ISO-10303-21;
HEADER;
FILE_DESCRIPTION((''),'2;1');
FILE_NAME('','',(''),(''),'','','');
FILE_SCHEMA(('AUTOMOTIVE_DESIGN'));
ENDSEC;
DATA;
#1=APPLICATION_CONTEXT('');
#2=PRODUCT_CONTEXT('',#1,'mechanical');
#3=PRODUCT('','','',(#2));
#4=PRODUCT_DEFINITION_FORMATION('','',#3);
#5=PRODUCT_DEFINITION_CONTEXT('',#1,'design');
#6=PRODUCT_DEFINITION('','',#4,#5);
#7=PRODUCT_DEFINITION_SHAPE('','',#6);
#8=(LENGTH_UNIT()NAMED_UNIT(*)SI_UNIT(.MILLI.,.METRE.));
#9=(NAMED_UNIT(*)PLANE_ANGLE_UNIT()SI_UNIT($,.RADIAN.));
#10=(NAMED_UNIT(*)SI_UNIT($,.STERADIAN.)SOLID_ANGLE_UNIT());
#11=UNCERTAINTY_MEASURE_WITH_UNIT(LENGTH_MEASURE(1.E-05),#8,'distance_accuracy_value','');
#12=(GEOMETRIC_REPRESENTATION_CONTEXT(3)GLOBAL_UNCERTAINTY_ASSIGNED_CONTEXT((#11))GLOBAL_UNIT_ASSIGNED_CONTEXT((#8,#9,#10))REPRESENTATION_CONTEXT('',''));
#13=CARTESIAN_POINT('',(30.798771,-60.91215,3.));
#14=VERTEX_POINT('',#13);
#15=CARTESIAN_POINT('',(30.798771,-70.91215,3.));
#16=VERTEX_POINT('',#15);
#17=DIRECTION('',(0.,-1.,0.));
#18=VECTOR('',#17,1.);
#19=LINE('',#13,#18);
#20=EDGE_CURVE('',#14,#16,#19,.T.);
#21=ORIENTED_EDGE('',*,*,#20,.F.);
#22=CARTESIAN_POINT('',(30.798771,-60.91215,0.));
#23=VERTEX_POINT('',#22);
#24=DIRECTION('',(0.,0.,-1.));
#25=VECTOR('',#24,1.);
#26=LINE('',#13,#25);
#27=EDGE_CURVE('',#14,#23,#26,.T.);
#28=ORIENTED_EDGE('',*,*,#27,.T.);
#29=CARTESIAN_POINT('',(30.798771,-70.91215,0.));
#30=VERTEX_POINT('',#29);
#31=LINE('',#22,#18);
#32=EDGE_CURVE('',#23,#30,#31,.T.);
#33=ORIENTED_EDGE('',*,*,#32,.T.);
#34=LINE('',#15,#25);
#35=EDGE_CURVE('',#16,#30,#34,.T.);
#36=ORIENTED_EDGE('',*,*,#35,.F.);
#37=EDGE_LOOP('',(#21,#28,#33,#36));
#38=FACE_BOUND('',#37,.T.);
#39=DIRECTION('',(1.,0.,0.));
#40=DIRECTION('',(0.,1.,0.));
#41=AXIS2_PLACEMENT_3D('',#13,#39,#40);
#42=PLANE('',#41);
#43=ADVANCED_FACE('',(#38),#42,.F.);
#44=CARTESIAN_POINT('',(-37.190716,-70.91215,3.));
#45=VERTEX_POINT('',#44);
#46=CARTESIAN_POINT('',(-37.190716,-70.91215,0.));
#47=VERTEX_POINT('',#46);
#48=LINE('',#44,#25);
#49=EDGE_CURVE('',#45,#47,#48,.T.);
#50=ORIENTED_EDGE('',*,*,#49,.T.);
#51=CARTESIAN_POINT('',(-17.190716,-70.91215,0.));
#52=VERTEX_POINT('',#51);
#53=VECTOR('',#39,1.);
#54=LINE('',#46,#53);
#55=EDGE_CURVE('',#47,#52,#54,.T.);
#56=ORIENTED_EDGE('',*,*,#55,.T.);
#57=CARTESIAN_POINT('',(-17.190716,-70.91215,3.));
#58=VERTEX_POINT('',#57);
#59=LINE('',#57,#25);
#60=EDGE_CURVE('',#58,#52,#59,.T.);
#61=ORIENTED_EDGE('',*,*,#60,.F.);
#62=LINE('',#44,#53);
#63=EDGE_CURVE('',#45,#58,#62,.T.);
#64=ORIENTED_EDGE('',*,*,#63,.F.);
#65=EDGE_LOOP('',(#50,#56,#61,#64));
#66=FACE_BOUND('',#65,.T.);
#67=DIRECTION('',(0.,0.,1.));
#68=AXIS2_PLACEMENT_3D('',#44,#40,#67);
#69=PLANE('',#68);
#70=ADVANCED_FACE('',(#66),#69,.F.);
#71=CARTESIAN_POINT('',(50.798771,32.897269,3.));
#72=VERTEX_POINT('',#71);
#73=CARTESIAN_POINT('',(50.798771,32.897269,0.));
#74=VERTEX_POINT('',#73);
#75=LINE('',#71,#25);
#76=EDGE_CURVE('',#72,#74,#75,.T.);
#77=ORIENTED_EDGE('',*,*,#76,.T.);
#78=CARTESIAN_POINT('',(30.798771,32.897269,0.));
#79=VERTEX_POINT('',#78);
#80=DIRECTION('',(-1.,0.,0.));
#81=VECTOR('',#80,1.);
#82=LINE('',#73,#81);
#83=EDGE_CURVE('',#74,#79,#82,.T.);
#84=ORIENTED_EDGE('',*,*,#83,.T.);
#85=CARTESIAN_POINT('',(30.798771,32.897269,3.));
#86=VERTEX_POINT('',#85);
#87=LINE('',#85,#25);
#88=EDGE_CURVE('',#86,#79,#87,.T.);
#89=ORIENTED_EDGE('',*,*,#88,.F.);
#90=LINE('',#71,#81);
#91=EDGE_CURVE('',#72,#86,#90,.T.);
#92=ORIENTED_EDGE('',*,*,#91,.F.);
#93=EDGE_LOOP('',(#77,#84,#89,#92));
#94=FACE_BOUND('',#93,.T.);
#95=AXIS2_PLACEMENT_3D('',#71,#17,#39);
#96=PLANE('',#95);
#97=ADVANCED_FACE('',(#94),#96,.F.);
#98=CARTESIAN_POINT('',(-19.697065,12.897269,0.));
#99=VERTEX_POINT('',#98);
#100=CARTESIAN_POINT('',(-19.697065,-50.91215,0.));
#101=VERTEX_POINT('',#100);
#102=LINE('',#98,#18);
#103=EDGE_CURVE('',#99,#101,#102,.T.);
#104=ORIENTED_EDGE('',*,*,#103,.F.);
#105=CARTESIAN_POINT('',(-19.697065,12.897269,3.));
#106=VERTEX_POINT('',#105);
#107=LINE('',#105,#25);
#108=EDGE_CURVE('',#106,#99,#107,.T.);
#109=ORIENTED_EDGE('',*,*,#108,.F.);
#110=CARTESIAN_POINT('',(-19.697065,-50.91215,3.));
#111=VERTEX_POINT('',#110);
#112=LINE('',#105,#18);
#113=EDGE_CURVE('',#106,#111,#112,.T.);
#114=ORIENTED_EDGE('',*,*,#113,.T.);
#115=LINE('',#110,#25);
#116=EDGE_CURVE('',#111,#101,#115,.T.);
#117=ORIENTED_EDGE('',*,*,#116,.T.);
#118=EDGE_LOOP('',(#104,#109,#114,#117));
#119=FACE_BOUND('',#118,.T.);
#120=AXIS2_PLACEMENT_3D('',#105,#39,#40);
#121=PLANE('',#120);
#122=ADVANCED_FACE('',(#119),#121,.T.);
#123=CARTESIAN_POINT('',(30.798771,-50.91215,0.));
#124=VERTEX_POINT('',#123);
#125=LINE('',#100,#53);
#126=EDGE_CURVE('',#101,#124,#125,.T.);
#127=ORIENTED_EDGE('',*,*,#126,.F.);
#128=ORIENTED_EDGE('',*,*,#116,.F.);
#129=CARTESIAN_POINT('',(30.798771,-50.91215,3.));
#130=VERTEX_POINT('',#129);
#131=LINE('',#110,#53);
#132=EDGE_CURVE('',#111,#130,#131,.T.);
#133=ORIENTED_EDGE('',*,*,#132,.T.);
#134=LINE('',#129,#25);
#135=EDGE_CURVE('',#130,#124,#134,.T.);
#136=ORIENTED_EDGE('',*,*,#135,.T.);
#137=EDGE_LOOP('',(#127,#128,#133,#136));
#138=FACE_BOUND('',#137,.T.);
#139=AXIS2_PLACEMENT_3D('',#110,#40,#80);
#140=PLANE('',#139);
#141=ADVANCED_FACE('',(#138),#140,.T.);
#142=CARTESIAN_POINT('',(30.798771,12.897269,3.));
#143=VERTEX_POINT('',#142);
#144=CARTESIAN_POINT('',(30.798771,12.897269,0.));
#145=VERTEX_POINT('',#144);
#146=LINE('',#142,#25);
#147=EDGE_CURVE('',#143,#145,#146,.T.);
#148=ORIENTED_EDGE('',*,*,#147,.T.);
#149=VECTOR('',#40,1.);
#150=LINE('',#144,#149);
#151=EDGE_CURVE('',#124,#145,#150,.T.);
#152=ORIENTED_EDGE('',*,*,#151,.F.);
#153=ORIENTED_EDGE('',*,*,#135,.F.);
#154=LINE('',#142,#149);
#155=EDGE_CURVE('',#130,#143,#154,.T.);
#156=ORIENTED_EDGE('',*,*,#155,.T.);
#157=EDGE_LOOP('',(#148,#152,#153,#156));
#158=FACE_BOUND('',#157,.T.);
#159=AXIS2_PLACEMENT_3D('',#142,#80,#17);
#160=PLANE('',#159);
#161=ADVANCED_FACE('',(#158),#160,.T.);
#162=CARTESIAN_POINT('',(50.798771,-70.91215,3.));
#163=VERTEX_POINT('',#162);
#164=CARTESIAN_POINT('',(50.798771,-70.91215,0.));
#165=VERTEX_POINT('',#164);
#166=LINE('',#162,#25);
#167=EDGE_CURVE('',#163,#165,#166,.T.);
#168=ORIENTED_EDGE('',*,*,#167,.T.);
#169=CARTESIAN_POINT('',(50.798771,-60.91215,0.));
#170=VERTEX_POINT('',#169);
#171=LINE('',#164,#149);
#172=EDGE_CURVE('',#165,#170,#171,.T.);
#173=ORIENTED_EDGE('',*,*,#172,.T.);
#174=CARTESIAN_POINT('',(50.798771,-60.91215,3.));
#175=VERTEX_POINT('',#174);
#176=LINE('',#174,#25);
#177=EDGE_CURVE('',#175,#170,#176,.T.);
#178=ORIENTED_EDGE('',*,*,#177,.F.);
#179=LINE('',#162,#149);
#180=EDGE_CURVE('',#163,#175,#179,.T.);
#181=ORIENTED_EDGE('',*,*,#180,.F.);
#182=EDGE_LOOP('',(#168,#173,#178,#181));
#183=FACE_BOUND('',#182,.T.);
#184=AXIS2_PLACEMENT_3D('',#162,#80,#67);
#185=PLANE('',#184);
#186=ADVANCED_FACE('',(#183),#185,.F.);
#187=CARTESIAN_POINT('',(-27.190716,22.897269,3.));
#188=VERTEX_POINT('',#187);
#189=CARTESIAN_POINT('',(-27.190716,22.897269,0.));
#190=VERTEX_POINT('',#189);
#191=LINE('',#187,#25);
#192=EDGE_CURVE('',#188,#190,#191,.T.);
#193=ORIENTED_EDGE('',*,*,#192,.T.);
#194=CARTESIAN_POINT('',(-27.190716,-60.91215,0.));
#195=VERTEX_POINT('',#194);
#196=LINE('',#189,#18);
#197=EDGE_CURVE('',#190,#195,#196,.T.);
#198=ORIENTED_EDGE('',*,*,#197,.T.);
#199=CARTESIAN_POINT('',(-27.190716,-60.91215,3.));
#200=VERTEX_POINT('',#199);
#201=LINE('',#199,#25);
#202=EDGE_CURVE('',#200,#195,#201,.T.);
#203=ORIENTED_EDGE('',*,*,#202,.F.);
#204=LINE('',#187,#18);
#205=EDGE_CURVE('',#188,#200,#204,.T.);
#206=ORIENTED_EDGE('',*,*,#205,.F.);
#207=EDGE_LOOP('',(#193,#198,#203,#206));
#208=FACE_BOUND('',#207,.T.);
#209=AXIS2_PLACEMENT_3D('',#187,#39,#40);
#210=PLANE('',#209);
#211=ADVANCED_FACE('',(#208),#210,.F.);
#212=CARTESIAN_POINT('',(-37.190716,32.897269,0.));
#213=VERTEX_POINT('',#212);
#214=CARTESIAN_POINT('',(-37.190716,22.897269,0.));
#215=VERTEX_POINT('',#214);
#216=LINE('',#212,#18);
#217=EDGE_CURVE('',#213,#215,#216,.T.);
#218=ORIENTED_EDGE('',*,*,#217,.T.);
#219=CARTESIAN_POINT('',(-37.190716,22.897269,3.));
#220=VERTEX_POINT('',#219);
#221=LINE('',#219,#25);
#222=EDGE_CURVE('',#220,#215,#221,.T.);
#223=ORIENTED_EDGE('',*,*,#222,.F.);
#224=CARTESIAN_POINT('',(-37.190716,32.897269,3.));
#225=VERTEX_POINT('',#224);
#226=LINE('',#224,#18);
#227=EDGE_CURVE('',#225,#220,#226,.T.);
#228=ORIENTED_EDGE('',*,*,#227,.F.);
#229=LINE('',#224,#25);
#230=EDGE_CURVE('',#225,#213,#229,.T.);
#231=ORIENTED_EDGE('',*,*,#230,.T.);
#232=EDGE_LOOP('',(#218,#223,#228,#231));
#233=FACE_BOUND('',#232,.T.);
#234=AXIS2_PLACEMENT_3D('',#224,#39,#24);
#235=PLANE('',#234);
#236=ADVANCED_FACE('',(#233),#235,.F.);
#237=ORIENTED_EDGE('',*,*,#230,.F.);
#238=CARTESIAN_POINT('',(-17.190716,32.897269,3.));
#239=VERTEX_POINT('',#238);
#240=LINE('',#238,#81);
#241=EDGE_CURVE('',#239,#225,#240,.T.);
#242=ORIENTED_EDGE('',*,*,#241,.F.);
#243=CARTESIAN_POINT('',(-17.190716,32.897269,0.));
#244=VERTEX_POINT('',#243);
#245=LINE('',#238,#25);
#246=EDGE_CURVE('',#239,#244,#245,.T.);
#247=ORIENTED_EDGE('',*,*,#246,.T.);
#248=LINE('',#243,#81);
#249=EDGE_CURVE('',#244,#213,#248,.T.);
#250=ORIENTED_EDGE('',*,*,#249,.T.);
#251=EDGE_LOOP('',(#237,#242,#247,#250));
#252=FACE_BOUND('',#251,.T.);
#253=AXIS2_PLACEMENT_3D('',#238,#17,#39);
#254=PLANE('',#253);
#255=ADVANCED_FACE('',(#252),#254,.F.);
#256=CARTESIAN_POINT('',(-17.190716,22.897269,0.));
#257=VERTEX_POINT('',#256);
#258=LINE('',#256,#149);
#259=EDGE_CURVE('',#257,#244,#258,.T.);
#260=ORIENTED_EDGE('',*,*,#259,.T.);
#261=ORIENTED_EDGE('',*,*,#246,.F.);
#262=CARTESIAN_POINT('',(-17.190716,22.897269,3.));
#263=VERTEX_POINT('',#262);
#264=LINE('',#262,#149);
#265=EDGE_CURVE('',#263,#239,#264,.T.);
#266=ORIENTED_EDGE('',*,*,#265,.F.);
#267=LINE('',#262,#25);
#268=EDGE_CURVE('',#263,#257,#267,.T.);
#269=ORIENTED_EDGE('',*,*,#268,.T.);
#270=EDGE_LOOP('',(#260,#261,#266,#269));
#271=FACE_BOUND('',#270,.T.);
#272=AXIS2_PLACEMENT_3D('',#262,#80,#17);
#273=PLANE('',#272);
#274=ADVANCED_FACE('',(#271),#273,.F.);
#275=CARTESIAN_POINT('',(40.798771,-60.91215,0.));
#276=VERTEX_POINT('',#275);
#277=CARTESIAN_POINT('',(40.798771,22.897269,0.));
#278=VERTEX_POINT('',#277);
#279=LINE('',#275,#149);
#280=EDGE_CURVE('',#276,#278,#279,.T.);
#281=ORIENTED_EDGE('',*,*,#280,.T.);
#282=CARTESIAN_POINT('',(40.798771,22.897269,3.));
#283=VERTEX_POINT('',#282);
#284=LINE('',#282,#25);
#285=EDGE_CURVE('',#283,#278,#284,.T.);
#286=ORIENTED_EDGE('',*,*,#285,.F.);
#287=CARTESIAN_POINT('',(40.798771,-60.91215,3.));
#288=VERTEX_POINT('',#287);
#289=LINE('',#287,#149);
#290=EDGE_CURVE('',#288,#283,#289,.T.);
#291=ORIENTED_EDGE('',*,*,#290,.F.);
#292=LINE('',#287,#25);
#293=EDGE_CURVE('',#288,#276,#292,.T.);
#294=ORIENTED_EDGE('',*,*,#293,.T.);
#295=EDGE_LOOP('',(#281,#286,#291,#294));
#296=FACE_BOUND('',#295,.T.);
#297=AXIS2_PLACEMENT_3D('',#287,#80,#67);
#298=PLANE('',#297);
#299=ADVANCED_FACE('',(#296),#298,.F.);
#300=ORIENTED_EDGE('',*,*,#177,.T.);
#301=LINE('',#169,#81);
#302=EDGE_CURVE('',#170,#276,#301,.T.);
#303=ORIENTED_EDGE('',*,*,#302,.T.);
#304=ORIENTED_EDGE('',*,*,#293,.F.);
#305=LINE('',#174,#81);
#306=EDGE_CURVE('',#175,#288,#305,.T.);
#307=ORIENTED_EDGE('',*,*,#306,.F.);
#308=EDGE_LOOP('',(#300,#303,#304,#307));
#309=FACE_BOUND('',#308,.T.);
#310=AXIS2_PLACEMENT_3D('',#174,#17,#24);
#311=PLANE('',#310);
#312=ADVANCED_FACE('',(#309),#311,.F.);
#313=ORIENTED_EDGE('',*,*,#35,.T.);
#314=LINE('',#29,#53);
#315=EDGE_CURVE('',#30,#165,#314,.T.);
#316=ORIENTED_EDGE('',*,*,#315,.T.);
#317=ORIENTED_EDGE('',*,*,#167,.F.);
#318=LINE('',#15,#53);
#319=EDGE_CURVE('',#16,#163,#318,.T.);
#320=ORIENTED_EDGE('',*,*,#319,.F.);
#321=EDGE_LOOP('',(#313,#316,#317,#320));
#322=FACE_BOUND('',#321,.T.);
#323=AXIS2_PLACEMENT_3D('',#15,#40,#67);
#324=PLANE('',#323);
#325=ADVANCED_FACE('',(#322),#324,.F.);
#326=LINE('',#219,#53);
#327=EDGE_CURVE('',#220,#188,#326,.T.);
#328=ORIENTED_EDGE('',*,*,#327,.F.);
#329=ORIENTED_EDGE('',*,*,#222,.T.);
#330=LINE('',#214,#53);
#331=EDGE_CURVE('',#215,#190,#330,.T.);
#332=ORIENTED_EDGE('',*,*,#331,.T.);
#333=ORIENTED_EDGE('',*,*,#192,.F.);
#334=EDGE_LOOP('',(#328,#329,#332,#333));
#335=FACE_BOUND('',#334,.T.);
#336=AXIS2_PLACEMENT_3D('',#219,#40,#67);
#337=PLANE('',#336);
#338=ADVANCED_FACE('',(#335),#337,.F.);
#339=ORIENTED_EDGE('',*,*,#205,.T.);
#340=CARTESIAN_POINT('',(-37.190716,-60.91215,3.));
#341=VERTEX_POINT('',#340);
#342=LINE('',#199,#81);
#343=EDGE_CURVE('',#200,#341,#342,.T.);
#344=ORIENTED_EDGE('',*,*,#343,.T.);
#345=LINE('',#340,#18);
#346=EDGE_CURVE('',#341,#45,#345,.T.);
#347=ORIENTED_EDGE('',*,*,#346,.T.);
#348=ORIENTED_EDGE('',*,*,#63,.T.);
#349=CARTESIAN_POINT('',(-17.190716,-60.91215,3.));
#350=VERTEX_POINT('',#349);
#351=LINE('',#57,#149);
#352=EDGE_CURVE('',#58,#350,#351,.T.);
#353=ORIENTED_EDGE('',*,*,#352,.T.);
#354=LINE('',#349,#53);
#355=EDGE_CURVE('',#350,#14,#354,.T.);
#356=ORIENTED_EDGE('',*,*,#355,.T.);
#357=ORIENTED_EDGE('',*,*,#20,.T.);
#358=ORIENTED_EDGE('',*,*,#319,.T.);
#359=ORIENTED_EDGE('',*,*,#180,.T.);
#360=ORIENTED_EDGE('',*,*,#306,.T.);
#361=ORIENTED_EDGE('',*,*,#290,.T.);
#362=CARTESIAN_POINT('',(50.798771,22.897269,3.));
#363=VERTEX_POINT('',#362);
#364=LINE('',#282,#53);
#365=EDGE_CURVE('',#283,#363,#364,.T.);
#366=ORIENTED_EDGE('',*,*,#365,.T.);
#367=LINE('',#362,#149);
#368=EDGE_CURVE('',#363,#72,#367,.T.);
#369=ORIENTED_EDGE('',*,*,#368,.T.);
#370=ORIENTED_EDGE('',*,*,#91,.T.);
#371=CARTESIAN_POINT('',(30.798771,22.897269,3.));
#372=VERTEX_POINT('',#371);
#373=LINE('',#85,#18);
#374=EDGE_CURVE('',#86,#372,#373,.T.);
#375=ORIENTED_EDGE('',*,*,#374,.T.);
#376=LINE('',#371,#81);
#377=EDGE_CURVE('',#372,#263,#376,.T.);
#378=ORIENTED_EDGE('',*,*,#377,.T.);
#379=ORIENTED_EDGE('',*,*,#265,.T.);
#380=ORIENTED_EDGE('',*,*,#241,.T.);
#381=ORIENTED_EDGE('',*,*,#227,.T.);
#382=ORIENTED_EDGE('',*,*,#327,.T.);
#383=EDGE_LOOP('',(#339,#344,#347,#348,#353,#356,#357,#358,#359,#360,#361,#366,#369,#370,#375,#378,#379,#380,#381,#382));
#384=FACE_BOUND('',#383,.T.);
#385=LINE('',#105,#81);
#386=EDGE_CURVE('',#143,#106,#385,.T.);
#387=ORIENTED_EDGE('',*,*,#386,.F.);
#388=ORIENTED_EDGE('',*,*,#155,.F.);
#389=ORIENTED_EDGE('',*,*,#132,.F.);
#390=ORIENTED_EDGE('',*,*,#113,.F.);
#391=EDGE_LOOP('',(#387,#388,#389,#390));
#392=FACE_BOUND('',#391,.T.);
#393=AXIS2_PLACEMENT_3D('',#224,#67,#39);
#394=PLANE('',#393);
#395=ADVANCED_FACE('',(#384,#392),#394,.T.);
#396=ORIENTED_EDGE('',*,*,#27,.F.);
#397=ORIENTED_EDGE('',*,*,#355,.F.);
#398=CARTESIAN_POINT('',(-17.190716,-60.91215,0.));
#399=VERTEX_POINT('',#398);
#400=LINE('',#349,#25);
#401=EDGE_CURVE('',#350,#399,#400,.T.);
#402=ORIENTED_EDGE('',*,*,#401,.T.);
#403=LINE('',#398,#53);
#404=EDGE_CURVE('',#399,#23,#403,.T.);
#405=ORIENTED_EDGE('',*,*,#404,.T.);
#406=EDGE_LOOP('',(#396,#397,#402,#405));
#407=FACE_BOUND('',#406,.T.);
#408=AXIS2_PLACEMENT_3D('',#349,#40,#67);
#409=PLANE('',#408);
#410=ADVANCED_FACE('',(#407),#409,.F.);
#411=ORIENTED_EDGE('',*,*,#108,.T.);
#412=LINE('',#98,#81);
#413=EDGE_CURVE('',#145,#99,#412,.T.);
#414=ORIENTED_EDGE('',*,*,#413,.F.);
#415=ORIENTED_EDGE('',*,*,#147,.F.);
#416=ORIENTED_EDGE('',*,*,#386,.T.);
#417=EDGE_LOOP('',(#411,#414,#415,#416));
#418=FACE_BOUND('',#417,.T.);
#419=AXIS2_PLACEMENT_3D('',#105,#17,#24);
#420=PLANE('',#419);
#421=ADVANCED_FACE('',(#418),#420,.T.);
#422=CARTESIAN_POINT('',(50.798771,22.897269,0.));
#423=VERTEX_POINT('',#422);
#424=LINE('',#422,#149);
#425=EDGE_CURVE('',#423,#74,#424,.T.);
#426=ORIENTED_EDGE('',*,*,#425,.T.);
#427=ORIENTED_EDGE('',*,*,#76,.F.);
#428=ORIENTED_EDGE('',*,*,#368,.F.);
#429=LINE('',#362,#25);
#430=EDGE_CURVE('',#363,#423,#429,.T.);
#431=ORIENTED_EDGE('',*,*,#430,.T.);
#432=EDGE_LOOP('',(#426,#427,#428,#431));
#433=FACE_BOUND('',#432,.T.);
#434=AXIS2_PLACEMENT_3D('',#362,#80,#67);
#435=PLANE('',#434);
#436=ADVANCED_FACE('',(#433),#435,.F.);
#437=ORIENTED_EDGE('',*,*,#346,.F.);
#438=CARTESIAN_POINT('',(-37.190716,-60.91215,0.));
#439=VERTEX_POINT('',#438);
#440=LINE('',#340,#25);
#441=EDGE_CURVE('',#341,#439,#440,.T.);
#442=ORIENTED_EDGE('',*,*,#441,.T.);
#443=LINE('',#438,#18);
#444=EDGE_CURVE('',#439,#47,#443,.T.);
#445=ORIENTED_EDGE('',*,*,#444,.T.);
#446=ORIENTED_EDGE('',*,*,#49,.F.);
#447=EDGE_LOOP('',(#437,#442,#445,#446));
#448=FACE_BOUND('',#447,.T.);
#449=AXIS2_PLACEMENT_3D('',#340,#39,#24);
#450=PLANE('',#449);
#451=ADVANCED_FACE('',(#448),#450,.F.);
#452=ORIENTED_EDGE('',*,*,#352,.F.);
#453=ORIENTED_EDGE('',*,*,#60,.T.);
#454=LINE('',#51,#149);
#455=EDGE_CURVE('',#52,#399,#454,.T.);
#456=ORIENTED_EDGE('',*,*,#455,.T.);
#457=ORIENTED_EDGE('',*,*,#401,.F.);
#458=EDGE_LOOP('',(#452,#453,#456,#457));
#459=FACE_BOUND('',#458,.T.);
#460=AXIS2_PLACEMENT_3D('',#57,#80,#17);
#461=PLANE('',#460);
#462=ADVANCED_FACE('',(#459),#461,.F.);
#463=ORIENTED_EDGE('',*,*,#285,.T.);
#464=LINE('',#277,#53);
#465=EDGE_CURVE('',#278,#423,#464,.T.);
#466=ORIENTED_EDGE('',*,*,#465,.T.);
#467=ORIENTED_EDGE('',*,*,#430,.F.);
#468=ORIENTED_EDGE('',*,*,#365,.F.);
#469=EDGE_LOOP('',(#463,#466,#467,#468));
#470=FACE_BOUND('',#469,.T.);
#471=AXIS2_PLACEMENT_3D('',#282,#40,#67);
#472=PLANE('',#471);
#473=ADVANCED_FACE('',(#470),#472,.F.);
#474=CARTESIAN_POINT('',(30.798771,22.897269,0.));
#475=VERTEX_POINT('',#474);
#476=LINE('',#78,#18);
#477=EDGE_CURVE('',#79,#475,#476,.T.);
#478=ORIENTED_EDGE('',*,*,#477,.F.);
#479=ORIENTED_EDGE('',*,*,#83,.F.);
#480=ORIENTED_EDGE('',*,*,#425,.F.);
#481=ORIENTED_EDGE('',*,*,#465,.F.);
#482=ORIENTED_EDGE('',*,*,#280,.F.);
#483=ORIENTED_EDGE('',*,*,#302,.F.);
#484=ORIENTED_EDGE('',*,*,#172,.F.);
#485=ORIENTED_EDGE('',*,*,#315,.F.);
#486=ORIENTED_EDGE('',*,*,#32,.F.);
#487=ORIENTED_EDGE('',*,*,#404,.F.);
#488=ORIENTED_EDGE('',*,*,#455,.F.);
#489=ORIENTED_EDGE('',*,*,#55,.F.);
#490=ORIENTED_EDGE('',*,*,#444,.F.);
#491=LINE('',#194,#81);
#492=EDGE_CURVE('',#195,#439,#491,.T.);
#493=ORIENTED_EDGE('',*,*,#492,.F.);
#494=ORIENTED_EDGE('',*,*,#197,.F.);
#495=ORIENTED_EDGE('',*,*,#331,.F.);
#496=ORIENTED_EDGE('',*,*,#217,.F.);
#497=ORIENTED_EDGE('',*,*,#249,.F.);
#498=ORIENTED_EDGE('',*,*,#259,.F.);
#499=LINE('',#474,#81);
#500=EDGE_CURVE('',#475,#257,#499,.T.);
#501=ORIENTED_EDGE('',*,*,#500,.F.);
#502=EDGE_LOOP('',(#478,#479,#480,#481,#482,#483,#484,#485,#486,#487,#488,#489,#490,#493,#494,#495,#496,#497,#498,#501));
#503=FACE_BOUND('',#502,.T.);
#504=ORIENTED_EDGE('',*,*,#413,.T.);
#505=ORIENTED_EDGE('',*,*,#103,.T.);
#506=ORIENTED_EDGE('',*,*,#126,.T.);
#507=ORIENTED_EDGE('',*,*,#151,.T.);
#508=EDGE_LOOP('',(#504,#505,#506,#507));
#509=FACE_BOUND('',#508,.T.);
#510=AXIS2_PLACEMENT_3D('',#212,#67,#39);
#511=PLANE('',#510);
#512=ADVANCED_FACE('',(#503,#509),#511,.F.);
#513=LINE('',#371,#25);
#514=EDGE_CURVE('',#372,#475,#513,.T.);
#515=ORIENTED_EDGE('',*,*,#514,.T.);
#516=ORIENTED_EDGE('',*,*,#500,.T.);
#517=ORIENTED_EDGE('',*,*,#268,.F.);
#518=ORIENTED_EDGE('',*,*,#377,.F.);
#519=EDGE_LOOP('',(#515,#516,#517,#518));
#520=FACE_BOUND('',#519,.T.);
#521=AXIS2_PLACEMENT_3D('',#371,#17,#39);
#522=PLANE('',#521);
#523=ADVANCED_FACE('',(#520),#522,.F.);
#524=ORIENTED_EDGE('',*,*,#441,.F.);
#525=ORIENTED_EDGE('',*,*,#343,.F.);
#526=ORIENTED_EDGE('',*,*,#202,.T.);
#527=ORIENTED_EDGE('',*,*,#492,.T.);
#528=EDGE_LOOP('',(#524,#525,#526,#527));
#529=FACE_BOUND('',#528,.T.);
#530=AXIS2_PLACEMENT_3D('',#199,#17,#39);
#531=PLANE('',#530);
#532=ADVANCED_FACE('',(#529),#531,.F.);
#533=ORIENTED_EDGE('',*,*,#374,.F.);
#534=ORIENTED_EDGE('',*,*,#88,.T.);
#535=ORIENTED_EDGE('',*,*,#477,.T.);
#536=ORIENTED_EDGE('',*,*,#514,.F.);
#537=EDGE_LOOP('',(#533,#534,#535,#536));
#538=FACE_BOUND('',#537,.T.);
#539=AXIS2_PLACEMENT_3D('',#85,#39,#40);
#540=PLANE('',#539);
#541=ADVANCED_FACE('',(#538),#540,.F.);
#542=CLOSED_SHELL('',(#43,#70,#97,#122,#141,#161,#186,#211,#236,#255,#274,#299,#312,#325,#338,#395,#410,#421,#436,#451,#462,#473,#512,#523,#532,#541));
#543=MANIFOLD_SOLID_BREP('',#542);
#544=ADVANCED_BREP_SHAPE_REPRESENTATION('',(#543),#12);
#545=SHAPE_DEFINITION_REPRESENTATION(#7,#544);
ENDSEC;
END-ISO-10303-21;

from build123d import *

# Parameters (mm, degrees)
SKETCH_1_W      = 50.495835616
SKETCH_1_H      = 63.809419048
EXTRUDE_1_DEPTH = 3


with BuildPart() as part:
    # Эскиз1 → Бобышка-Вытянуть1 (new body)
    with BuildSketch(Plane.XY):
        Polygon((-37.190716428, 32.897269442), (-37.190716428, 22.897269442), (-27.190716428, 22.897269442), (-27.190716428, -60.912149606), (-37.190716428, -60.912149606), (-37.190716428, -70.912149606), (-17.190716428, -70.912149606), (-17.190716428, -60.912149606), (30.798771006, -60.912149606), (30.798771006, -70.912149606), (50.798771006, -70.912149606), (50.798771006, -60.912149606), (40.798771006, -60.912149606), (40.798771006, 22.897269442), (50.798771006, 22.897269442), (50.798771006, 32.897269442), (30.798771006, 32.897269442), (30.798771006, 22.897269442), (-17.190716428, 22.897269442), (-17.190716428, 32.897269442), align=None)
        with Locations((5.550853198, -19.007440082)):
            Rectangle(SKETCH_1_W, SKETCH_1_H, mode=Mode.SUBTRACT)
    extrude(amount=EXTRUDE_1_DEPTH)


solid = part.part
